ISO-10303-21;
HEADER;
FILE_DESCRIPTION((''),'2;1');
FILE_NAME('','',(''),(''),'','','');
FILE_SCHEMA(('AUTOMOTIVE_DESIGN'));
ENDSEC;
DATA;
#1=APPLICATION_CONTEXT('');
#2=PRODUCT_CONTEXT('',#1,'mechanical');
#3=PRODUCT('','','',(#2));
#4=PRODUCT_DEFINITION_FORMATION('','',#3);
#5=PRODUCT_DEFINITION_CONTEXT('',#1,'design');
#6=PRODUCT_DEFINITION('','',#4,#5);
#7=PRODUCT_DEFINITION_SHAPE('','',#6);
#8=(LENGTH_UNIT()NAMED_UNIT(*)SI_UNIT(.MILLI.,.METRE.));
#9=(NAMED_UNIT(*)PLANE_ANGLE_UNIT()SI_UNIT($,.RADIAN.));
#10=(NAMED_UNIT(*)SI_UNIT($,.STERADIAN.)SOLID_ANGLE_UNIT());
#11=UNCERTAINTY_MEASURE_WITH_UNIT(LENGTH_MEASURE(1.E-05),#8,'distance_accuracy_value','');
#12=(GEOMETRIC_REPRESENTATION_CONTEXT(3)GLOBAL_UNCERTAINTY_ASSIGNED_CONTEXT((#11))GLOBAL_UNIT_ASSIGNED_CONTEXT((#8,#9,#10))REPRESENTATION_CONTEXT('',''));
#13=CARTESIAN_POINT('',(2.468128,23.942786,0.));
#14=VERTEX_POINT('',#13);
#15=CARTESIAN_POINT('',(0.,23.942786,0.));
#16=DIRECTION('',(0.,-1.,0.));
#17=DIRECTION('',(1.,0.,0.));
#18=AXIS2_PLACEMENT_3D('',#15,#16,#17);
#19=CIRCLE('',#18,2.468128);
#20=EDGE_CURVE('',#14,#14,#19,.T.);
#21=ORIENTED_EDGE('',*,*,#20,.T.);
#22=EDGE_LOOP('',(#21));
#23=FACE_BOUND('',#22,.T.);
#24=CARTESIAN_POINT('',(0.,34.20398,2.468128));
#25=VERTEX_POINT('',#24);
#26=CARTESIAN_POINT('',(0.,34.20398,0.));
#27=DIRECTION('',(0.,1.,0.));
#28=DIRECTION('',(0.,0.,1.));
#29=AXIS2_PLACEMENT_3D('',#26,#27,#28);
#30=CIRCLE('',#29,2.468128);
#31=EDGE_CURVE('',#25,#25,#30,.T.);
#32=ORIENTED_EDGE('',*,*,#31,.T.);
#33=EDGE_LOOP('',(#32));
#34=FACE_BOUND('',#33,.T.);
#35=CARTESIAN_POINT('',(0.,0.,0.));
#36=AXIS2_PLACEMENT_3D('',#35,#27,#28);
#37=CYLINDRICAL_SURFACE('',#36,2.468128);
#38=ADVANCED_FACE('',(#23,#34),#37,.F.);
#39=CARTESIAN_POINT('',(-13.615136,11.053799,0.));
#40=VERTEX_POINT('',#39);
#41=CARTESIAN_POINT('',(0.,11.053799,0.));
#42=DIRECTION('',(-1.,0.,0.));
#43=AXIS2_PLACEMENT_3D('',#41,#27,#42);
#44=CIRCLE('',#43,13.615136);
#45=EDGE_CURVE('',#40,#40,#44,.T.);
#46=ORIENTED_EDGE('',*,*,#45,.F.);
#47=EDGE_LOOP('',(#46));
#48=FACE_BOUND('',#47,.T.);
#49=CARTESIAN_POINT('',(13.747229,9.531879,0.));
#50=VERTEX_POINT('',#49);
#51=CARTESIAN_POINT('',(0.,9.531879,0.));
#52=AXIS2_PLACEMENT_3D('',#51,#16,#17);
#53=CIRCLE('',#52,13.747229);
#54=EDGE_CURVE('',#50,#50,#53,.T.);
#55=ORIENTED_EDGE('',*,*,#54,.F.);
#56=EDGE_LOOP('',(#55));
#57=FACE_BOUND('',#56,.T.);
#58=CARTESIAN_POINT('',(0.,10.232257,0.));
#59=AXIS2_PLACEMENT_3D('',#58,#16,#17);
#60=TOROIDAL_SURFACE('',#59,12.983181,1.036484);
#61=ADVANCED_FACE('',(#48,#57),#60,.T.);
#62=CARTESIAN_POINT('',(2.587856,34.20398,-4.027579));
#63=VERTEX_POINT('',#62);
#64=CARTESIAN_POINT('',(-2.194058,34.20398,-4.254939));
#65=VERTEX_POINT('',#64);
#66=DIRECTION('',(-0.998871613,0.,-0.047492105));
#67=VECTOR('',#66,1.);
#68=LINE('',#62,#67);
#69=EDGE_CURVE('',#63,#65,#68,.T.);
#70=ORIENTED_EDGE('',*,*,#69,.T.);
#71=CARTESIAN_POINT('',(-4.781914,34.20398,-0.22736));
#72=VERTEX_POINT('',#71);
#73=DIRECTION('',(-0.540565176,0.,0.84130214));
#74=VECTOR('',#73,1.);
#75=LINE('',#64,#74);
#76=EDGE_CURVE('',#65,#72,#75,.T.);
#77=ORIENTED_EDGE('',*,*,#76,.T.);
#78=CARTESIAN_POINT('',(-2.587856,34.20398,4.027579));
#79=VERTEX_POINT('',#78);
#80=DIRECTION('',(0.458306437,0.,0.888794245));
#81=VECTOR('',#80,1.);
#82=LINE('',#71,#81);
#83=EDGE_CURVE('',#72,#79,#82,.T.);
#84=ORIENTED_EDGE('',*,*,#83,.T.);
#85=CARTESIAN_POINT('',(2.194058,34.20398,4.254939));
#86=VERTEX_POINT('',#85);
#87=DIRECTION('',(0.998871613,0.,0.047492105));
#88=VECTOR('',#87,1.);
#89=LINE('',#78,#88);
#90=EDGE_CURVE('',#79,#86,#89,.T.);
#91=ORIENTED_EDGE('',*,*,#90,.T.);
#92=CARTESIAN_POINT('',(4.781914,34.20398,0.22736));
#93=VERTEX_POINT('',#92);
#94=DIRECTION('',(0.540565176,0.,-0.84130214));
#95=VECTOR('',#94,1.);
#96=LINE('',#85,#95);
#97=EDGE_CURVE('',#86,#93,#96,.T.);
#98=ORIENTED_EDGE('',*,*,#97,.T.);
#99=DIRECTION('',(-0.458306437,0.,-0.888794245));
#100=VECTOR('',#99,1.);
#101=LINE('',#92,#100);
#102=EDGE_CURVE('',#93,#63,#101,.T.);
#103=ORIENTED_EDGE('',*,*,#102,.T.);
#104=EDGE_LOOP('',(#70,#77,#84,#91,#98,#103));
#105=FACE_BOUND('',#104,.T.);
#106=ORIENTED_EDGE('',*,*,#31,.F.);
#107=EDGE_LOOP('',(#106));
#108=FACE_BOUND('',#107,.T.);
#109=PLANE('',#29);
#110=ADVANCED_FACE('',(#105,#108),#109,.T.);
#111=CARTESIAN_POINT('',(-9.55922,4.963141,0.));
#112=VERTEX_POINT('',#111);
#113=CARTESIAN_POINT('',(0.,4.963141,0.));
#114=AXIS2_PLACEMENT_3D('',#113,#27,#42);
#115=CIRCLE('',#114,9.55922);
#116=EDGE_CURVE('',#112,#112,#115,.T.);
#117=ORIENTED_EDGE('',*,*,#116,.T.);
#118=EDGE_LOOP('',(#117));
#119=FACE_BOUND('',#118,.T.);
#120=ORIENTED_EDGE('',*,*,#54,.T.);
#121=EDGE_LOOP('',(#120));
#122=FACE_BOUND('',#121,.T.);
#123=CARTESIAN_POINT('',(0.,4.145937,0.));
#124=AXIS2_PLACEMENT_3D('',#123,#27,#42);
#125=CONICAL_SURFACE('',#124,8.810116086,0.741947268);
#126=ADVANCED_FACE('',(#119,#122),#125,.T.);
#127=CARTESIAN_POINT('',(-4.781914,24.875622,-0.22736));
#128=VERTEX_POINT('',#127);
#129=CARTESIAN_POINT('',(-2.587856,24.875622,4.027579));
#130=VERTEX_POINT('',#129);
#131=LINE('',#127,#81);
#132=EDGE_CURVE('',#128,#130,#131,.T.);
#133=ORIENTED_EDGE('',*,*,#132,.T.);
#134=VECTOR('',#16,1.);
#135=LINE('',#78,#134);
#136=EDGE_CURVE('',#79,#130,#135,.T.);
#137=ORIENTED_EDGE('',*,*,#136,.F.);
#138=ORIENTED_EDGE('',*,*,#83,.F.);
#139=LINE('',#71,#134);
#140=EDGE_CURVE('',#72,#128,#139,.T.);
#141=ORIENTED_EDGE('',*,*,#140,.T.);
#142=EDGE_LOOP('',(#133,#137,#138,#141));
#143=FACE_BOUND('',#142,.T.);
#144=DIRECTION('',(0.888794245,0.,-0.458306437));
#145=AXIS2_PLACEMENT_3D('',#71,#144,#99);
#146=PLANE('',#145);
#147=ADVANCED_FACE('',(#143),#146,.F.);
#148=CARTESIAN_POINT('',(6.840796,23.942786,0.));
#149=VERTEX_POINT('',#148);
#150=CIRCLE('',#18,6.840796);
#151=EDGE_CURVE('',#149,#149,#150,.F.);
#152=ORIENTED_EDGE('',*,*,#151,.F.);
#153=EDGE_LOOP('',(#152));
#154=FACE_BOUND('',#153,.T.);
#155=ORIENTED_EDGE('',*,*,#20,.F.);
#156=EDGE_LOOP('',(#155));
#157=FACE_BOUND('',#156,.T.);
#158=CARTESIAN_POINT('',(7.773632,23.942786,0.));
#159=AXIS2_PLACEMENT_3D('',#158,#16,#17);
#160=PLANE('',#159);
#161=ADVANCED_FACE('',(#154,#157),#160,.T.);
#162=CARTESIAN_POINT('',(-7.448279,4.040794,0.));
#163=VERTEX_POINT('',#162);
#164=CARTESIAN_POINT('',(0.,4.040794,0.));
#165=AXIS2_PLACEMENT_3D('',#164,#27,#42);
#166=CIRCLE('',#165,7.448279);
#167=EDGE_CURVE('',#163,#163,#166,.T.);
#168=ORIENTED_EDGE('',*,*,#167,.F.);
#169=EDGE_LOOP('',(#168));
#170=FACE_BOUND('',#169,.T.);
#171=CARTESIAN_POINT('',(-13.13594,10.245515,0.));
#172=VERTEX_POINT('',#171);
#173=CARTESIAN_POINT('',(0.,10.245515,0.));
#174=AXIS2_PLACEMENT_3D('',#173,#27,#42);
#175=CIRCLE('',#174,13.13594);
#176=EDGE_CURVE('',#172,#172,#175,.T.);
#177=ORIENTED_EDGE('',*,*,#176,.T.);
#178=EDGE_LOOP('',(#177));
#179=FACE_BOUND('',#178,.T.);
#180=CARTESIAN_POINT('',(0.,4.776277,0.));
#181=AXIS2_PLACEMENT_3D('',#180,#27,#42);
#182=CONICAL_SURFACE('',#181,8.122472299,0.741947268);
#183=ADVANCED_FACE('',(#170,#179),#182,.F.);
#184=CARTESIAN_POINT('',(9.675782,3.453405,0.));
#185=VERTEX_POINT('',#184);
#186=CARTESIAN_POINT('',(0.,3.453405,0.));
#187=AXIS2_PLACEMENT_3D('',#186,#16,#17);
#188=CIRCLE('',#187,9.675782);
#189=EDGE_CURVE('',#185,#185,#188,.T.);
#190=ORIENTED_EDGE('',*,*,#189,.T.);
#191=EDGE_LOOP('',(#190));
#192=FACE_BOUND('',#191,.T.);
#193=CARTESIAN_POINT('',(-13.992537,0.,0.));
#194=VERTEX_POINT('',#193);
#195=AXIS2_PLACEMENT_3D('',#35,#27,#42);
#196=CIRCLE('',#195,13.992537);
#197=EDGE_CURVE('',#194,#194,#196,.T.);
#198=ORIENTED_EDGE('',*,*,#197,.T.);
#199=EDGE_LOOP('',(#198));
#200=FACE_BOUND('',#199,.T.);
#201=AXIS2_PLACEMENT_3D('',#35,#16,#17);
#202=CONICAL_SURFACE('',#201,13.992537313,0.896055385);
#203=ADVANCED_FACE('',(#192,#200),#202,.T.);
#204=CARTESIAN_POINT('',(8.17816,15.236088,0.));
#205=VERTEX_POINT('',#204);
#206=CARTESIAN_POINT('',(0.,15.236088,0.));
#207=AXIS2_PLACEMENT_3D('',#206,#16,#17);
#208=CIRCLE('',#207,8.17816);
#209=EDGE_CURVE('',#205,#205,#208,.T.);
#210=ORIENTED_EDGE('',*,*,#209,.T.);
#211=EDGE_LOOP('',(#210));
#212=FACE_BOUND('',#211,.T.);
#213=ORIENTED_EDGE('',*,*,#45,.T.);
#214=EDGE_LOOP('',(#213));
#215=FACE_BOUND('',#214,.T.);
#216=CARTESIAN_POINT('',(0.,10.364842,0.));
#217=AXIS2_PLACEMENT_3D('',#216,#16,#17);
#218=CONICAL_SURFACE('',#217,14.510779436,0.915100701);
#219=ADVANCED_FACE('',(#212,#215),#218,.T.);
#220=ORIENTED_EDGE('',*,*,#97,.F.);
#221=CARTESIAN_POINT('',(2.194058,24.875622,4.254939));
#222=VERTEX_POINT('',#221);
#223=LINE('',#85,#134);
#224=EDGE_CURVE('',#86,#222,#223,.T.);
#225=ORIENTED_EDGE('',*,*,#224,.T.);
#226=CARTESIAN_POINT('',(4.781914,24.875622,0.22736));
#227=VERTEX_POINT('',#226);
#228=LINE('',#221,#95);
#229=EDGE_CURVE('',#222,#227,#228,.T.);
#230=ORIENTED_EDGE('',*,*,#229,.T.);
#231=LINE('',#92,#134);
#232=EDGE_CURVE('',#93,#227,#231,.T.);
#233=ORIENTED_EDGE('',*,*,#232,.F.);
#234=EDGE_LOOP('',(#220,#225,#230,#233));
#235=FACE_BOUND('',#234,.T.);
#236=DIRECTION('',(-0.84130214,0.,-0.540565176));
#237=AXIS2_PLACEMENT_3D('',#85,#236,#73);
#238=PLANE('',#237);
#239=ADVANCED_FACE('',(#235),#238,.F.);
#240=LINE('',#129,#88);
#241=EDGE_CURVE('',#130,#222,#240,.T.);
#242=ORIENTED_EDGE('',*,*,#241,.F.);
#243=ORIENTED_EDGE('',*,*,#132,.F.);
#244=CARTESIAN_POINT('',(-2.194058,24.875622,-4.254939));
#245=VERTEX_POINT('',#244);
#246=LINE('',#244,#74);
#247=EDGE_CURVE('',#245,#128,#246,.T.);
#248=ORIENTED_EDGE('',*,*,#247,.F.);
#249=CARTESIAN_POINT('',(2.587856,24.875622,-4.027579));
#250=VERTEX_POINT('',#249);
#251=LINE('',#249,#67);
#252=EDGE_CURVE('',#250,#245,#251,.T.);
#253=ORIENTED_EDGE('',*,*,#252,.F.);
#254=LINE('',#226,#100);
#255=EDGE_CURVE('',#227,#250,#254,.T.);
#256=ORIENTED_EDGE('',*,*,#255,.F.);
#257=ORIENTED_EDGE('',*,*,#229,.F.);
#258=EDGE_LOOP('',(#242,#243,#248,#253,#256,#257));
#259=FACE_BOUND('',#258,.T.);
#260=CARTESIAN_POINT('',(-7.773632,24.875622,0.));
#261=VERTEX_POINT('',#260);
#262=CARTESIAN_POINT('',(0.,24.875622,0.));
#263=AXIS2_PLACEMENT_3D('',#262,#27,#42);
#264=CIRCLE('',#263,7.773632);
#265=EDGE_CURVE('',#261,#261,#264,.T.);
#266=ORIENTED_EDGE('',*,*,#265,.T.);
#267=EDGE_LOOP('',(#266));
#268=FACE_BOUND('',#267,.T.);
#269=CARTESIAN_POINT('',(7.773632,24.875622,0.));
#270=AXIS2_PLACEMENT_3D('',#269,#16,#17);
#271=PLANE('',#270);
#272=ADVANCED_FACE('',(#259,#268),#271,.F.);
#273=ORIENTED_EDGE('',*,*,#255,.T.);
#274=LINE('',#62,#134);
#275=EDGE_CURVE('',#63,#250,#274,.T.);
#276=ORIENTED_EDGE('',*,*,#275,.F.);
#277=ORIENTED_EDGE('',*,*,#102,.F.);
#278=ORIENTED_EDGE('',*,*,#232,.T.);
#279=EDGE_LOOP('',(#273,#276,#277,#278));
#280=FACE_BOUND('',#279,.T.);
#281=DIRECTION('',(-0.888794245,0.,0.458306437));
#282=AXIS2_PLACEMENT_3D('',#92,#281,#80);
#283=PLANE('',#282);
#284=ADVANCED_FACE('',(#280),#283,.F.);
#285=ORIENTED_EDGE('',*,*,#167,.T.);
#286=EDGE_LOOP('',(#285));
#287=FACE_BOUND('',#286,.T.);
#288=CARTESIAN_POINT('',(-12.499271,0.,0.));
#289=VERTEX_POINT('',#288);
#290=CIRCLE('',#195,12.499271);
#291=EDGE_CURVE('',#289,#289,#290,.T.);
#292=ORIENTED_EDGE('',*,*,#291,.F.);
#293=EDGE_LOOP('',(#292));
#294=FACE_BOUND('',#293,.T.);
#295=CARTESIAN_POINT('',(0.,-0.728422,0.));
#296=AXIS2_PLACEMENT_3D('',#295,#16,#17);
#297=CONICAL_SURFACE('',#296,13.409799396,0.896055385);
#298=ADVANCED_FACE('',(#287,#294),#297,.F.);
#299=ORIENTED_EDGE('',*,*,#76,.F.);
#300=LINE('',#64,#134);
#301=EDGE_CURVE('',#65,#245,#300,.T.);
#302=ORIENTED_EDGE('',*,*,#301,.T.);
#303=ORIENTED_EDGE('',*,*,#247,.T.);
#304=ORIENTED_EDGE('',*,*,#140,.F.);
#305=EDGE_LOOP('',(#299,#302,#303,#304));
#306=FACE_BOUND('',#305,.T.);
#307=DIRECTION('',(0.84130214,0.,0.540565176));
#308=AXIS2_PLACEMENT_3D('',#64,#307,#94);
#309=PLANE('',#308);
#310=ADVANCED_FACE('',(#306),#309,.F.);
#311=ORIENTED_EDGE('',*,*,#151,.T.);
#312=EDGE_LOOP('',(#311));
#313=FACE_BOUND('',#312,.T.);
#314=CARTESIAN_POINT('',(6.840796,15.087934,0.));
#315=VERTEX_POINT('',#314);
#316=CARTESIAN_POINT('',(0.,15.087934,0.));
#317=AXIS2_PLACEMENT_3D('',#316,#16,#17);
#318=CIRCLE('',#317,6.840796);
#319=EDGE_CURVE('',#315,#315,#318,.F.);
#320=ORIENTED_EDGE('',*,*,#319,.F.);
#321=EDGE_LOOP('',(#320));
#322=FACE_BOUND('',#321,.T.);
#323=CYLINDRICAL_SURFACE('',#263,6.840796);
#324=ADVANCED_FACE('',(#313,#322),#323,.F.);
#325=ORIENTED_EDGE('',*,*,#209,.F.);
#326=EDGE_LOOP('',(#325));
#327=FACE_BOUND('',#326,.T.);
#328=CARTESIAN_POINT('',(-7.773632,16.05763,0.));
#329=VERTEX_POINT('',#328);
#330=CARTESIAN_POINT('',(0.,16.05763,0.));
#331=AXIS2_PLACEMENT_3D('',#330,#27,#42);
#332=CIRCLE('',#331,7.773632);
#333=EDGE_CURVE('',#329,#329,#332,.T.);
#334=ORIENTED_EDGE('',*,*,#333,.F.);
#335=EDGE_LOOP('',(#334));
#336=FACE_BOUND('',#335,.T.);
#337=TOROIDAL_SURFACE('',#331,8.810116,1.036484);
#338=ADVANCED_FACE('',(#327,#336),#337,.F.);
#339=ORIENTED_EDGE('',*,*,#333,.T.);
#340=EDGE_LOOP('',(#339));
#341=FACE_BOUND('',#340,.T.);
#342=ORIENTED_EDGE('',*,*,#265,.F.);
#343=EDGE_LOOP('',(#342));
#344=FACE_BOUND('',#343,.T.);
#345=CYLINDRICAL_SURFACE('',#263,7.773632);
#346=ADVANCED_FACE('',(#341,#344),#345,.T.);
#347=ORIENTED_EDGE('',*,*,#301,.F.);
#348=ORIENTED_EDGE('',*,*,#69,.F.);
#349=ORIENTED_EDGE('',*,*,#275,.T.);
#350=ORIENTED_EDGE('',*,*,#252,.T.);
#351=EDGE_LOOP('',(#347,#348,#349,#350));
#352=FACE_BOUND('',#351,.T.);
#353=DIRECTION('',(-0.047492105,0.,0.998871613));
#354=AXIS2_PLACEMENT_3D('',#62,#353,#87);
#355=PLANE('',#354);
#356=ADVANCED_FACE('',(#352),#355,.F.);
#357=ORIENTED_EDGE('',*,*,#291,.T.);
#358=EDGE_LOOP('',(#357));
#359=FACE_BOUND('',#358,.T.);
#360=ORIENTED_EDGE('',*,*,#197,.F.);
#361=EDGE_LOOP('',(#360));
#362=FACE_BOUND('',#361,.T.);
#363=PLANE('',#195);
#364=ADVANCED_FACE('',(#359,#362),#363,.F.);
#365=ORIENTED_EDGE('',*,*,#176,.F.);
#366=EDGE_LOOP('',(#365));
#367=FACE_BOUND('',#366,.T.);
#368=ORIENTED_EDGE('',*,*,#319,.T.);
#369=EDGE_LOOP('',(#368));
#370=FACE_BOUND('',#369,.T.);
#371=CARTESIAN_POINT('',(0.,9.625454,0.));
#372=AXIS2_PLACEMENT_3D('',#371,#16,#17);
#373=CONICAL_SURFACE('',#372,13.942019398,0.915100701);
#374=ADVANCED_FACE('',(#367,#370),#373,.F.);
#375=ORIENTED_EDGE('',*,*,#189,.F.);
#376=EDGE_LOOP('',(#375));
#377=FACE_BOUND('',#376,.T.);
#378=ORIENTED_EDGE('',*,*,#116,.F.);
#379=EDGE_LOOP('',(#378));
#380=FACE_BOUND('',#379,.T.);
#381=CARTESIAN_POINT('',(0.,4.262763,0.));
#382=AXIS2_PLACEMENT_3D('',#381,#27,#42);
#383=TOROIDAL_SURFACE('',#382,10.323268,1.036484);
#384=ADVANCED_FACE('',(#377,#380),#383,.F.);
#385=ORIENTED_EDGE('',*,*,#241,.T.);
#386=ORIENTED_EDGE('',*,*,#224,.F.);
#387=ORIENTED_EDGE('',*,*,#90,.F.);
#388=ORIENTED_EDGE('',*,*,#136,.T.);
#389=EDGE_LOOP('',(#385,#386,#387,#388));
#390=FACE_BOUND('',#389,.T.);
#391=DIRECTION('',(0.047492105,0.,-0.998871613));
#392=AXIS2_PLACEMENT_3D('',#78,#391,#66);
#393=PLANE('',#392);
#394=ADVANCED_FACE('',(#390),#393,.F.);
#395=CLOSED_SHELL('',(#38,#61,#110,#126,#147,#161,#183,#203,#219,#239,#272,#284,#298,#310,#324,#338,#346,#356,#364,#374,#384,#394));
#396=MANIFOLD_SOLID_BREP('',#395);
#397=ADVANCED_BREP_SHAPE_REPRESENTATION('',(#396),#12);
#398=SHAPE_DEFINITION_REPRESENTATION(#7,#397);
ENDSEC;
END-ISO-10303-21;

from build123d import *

# Parameters (mm, degrees)
CASCA1_T                 = -0.9
RESSALTO_EXTRUS_O1_DEPTH = 9
FILETE1_R                = 1
ESBO_O3_R                = 2.38125
CORTE_EXTRUS_O1_DEPTH    = 39.143338529
SCALE1_SCALE             = 1.036484245


with BuildPart() as part:
    # Esboço1 → Revolução1 (revolve)
    with BuildSketch(Plane.XY, mode=Mode.PRIVATE) as revolu_o1_sk:
        Polygon((0, 0), (13.5, 0), (8.5, 4), (14, 10), (7.5, 15), (7.5, 24), (0, 24), align=None)
    revolve(revolu_o1_sk.sketch.rotate(Axis((0, 24, 0), (0, -1, 0)), 180), axis=Axis((0, 24, 0), (0, -1, 0)))

    # Casca1
    casca1_openings = [part.faces().sort_by_distance(p)[0] for p in [
        (0, 0, 0),
    ]]
    offset(amount=CASCA1_T, openings=casca1_openings, kind=Kind.INTERSECTION)

    # Esboço2 → Ressalto-extrusão1 (add)
    with BuildSketch(Plane(origin=(0, 24, 0), x_dir=(1, 0, 0), z_dir=(0, 1, 0))):
        Polygon((2.496763598, 3.885808136), (-2.11682676, 4.105164771), (-4.613590359, 0.219356636), (-2.496763598, -3.885808136), (2.11682676, -4.105164771), (4.613590359, -0.219356636), align=None)
    extrude(amount=RESSALTO_EXTRUS_O1_DEPTH)

    # Filete1
    filete1_edges = [part.edges().sort_by_distance(p)[0] for p in [
        (7.5, 15, 0),
        (14, 10, 0),
        (8.5, 4, 0),
    ]]
    fillet(filete1_edges, radius=FILETE1_R)

    # Esboço3 → Corte-extrusão1 (cut, through all)
    with BuildSketch(Plane(origin=(0, 33, 0), x_dir=(1, 0, 0), z_dir=(0, 1, 0))):
        with Locations(Location((0, 0, 0), (0, 0, 270))):
            Circle(ESBO_O3_R)
    extrude(amount=-CORTE_EXTRUS_O1_DEPTH, mode=Mode.SUBTRACT)


with BuildPart() as part_1:
    # Scale1: scaled about (0, 0, 0)
    add(part.part.scale(SCALE1_SCALE))


solid = part_1.part
